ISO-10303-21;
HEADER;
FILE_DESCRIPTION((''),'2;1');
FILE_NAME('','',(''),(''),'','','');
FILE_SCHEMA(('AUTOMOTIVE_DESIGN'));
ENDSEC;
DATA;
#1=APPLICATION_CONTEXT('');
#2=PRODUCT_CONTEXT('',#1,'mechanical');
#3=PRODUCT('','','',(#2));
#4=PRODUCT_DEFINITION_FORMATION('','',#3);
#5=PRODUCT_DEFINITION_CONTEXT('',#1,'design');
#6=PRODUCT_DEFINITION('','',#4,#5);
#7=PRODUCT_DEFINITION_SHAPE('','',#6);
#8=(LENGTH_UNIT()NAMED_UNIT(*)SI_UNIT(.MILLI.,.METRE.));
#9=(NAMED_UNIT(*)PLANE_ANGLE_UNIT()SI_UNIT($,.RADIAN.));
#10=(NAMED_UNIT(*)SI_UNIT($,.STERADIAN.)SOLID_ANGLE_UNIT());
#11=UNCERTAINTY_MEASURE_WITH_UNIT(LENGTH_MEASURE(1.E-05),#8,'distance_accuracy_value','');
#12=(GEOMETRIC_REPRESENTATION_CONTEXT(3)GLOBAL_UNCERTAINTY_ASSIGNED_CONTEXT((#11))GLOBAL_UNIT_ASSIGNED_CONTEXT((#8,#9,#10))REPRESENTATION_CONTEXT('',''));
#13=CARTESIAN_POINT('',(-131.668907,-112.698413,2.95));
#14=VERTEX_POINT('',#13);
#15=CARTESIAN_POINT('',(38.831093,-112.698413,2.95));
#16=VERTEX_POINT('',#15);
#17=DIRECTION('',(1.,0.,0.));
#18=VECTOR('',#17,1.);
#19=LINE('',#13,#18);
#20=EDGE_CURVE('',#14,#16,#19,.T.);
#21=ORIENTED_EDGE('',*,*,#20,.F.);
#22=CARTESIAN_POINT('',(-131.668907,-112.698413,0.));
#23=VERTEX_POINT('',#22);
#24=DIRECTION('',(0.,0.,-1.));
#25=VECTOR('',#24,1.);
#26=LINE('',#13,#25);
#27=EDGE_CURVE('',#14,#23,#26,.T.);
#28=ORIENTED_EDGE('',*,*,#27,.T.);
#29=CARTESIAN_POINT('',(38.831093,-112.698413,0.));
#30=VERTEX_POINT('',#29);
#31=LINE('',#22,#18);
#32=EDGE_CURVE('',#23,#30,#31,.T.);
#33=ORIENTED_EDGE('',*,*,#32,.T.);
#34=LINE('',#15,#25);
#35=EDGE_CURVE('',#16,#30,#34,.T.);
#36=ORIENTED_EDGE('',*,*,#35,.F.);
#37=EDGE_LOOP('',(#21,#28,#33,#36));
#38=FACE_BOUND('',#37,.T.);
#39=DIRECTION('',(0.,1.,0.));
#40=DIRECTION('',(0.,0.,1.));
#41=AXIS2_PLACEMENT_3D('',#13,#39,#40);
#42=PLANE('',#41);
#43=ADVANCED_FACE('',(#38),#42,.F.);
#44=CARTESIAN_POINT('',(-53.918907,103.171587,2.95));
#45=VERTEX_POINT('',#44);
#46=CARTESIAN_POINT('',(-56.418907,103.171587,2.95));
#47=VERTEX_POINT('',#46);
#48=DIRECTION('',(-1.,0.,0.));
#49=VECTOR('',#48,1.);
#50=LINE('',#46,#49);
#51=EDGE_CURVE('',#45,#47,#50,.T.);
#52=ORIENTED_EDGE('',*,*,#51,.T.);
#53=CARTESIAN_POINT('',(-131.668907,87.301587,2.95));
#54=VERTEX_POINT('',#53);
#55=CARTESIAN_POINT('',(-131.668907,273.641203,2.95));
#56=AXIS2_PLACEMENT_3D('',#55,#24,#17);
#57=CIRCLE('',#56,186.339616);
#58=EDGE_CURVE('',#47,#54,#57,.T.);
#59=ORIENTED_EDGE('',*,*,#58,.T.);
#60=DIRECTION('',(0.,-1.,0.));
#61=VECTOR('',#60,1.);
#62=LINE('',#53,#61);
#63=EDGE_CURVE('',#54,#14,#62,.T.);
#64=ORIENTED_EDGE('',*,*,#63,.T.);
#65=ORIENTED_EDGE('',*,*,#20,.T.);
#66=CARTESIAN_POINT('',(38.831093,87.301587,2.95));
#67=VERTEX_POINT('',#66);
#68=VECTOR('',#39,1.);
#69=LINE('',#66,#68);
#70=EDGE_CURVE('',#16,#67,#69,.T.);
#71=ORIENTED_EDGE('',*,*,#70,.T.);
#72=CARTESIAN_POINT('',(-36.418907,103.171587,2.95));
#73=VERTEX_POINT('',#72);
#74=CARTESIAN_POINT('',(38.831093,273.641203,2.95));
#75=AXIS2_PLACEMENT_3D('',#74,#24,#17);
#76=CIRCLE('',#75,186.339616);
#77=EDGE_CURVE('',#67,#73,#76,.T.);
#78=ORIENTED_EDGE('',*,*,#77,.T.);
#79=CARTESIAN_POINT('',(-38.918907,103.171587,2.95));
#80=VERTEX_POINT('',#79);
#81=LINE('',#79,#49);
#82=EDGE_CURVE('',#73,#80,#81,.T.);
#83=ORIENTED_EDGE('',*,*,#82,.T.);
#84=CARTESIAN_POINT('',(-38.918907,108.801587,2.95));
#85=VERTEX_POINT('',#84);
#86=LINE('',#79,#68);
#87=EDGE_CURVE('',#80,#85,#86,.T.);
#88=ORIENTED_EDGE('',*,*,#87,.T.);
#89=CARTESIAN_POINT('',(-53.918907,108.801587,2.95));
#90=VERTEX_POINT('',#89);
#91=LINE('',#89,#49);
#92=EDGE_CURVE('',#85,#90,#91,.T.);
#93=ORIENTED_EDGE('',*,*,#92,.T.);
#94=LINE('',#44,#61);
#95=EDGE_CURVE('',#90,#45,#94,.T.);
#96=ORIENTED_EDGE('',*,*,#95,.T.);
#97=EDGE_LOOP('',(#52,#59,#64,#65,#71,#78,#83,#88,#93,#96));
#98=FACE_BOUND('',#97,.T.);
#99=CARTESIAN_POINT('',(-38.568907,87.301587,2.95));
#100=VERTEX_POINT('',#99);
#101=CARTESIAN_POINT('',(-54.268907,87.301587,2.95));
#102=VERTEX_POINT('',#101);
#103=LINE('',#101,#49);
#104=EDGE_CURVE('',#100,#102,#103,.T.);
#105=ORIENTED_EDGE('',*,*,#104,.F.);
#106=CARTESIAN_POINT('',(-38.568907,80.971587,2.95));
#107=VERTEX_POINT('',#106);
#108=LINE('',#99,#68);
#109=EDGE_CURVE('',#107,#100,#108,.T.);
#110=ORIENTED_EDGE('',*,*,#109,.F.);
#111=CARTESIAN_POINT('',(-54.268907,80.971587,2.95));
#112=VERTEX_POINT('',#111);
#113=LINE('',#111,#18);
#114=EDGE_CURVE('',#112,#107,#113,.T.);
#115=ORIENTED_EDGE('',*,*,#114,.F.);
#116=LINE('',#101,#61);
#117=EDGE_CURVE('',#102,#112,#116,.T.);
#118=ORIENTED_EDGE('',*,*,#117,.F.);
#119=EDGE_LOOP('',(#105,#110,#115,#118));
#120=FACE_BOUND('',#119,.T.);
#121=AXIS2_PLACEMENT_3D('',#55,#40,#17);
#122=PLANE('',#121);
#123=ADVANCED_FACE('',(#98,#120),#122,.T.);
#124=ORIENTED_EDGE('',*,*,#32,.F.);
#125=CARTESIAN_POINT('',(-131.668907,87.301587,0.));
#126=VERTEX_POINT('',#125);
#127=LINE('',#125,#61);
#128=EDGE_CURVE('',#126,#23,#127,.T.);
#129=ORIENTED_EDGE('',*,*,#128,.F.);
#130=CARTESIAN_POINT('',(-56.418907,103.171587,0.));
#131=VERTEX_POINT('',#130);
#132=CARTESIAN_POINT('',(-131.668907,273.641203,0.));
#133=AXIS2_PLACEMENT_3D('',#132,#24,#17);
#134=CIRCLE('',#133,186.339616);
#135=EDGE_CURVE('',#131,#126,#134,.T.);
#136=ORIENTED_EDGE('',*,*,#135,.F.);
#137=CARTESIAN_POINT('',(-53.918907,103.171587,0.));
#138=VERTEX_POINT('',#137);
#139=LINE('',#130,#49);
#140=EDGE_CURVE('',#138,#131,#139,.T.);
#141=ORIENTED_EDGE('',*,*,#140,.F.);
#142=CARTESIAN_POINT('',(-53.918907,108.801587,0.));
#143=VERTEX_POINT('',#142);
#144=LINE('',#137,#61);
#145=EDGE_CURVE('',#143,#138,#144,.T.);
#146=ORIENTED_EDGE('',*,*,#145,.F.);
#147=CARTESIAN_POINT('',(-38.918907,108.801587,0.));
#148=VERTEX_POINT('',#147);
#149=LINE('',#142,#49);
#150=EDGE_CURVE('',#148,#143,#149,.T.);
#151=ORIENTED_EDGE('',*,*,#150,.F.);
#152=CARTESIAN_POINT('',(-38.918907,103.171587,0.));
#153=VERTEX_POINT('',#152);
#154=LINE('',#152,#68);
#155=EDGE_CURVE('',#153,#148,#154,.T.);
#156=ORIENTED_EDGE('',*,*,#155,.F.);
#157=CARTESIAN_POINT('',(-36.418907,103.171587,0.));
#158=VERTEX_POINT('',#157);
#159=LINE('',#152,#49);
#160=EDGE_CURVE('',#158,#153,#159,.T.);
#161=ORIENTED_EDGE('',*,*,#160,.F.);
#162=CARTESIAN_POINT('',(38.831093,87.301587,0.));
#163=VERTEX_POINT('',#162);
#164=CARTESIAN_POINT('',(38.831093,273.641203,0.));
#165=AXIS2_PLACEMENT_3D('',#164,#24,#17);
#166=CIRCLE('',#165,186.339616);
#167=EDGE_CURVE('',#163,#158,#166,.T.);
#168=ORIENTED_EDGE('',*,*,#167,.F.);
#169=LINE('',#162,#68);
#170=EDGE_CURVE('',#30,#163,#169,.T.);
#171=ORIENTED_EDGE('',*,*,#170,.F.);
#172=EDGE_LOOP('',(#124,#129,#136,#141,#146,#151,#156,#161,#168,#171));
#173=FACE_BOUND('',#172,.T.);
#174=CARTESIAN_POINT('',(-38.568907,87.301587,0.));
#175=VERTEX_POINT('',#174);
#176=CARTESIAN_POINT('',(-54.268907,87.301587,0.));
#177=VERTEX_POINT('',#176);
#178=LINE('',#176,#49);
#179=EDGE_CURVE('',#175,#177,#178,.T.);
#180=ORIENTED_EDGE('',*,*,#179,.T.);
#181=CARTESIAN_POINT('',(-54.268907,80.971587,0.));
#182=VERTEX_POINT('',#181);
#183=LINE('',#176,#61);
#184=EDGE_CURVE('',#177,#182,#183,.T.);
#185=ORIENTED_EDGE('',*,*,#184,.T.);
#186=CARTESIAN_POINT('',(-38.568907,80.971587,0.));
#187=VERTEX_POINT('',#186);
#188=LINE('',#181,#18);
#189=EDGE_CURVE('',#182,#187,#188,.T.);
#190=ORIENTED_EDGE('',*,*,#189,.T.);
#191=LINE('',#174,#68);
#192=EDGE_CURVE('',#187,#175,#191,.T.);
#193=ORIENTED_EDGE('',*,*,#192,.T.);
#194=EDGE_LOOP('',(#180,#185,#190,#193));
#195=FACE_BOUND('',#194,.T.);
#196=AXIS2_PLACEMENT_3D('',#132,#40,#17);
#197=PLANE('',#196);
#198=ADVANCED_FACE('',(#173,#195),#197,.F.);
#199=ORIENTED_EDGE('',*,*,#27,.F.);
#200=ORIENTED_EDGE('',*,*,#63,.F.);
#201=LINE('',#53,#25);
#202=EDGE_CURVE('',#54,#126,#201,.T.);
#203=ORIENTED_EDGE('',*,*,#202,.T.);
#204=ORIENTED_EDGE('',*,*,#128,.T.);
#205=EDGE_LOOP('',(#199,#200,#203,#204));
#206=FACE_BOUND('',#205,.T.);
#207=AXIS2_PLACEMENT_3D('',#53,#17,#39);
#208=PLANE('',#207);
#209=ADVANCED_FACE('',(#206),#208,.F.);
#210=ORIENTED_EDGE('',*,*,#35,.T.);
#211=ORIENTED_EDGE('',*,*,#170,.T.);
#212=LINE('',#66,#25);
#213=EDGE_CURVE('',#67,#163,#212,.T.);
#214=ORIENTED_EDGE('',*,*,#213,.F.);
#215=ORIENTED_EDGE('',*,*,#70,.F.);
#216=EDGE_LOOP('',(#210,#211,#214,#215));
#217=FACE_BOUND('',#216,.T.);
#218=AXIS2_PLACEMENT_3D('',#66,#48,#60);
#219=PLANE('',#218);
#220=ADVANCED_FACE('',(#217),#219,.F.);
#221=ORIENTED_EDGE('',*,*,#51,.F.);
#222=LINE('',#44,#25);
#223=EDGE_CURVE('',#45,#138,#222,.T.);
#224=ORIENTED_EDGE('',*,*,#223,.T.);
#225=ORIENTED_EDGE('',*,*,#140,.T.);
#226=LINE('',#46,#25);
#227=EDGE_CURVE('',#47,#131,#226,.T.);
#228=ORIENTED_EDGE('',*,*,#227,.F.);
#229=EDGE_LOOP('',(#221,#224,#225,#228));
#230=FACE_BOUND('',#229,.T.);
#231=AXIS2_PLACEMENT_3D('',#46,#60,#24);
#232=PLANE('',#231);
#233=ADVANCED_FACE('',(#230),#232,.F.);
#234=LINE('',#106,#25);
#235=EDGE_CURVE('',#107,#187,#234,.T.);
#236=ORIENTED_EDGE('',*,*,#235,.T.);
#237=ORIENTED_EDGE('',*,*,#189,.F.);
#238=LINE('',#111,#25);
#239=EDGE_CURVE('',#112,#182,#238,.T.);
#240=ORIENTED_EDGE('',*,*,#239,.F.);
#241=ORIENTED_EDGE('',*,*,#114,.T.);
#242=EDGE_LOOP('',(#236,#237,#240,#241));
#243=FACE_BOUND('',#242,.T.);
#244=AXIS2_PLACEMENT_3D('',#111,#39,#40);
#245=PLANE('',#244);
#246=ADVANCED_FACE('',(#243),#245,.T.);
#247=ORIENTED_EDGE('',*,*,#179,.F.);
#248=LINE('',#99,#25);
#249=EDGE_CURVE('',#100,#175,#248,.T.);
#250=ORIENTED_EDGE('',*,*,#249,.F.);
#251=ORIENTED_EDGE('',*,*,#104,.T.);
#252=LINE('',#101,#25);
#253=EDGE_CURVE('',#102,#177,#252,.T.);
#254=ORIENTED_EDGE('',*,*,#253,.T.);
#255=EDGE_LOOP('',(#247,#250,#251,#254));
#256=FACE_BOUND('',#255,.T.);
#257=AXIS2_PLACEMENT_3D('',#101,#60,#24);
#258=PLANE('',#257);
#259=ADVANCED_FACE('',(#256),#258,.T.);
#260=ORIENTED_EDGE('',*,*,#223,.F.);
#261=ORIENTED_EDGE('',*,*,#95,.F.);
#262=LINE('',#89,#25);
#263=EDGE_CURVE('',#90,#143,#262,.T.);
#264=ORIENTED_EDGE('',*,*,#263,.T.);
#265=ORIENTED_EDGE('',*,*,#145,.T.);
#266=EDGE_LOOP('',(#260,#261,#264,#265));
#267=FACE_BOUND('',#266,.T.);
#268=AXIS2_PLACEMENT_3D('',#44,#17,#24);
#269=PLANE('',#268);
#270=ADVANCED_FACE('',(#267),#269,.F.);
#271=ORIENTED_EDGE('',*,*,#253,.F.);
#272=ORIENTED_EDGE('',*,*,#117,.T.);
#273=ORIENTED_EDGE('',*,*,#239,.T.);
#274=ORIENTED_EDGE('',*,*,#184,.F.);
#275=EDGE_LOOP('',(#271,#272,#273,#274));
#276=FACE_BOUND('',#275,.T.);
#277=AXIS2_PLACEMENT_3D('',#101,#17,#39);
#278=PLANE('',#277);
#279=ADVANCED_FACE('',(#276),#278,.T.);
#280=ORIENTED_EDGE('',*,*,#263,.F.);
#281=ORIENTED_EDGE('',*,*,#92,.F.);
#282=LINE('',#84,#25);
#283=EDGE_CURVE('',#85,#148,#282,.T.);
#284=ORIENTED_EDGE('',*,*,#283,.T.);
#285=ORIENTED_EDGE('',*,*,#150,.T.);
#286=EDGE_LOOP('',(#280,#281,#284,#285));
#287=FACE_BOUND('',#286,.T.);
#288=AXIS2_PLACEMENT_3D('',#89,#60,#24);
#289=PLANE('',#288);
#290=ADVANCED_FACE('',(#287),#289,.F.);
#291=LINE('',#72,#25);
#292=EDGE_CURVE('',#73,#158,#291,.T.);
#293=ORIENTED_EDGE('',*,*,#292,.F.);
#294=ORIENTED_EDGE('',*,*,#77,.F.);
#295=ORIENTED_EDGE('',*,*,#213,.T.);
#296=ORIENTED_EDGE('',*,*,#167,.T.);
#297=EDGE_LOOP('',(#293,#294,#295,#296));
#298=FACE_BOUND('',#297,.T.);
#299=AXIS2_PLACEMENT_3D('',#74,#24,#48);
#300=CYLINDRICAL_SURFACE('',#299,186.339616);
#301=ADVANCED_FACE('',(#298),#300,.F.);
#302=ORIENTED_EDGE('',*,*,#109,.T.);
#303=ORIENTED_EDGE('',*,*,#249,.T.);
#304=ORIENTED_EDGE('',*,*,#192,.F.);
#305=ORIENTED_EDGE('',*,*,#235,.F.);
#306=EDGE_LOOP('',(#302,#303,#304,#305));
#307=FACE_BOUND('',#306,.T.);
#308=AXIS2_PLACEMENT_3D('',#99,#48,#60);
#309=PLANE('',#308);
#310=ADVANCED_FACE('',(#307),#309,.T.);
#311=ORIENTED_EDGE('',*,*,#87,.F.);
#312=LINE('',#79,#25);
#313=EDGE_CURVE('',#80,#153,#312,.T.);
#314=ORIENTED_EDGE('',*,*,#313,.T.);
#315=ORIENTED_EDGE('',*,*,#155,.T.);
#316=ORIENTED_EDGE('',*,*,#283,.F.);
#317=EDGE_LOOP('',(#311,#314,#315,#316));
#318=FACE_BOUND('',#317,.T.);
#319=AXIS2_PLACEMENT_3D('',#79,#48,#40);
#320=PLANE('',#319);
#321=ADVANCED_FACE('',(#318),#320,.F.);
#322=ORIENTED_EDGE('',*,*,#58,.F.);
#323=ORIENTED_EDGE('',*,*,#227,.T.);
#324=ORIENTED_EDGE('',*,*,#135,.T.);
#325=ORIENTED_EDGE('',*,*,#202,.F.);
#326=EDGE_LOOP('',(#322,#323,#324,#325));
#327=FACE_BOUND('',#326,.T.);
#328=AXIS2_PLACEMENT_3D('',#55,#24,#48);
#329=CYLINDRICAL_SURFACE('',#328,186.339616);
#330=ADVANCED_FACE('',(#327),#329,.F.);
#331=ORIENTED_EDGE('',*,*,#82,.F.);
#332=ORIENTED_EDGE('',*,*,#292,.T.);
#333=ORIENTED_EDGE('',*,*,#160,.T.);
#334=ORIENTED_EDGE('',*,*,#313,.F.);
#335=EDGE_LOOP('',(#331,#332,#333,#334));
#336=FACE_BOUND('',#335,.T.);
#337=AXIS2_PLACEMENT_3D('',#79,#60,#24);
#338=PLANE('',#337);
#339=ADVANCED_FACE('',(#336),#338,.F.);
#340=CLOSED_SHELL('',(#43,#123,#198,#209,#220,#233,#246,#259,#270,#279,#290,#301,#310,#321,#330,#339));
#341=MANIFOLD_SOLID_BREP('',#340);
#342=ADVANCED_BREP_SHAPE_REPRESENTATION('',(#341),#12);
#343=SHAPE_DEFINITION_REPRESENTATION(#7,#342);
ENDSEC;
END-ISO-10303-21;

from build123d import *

# Parameters (mm, degrees)
SKETCH1_W           = 15.7
SKETCH1_H           = 6.33
BOSS_EXTRUDE1_DEPTH = 2.95


with BuildPart() as part:
    # Sketch1 → Boss-Extrude1 (new body)
    with BuildSketch(Plane.XY):
        with BuildLine():
            Line((-56.418907266, 103.171587302), (-53.918907266, 103.171587302))
            Line((-53.918907266, 103.171587302), (-53.918907266, 108.801587302))
            Line((-53.918907266, 108.801587302), (-38.918907266, 108.801587302))
            Line((-38.918907266, 108.801587302), (-38.918907266, 103.171587302))
            Line((-38.918907266, 103.171587302), (-36.418907266, 103.171587302))
            ThreePointArc((-36.418907266, 103.171587302), (0.378461485, 91.312248832), (38.831092734, 87.301587302))
            Line((38.831092734, 87.301587302), (38.831092734, -112.698412698))
            Line((38.831092734, -112.698412698), (-131.668907266, -112.698412698))
            Line((-131.668907266, -112.698412698), (-131.668907266, 87.301587302))
            ThreePointArc((-131.668907266, 87.301587302), (-93.216276016, 91.312248832), (-56.418907266, 103.171587302))
        make_face()
        with Locations((-46.418907266, 84.136587302)):
            Rectangle(SKETCH1_W, SKETCH1_H, mode=Mode.SUBTRACT)
    extrude(amount=BOSS_EXTRUDE1_DEPTH)


solid = part.part
